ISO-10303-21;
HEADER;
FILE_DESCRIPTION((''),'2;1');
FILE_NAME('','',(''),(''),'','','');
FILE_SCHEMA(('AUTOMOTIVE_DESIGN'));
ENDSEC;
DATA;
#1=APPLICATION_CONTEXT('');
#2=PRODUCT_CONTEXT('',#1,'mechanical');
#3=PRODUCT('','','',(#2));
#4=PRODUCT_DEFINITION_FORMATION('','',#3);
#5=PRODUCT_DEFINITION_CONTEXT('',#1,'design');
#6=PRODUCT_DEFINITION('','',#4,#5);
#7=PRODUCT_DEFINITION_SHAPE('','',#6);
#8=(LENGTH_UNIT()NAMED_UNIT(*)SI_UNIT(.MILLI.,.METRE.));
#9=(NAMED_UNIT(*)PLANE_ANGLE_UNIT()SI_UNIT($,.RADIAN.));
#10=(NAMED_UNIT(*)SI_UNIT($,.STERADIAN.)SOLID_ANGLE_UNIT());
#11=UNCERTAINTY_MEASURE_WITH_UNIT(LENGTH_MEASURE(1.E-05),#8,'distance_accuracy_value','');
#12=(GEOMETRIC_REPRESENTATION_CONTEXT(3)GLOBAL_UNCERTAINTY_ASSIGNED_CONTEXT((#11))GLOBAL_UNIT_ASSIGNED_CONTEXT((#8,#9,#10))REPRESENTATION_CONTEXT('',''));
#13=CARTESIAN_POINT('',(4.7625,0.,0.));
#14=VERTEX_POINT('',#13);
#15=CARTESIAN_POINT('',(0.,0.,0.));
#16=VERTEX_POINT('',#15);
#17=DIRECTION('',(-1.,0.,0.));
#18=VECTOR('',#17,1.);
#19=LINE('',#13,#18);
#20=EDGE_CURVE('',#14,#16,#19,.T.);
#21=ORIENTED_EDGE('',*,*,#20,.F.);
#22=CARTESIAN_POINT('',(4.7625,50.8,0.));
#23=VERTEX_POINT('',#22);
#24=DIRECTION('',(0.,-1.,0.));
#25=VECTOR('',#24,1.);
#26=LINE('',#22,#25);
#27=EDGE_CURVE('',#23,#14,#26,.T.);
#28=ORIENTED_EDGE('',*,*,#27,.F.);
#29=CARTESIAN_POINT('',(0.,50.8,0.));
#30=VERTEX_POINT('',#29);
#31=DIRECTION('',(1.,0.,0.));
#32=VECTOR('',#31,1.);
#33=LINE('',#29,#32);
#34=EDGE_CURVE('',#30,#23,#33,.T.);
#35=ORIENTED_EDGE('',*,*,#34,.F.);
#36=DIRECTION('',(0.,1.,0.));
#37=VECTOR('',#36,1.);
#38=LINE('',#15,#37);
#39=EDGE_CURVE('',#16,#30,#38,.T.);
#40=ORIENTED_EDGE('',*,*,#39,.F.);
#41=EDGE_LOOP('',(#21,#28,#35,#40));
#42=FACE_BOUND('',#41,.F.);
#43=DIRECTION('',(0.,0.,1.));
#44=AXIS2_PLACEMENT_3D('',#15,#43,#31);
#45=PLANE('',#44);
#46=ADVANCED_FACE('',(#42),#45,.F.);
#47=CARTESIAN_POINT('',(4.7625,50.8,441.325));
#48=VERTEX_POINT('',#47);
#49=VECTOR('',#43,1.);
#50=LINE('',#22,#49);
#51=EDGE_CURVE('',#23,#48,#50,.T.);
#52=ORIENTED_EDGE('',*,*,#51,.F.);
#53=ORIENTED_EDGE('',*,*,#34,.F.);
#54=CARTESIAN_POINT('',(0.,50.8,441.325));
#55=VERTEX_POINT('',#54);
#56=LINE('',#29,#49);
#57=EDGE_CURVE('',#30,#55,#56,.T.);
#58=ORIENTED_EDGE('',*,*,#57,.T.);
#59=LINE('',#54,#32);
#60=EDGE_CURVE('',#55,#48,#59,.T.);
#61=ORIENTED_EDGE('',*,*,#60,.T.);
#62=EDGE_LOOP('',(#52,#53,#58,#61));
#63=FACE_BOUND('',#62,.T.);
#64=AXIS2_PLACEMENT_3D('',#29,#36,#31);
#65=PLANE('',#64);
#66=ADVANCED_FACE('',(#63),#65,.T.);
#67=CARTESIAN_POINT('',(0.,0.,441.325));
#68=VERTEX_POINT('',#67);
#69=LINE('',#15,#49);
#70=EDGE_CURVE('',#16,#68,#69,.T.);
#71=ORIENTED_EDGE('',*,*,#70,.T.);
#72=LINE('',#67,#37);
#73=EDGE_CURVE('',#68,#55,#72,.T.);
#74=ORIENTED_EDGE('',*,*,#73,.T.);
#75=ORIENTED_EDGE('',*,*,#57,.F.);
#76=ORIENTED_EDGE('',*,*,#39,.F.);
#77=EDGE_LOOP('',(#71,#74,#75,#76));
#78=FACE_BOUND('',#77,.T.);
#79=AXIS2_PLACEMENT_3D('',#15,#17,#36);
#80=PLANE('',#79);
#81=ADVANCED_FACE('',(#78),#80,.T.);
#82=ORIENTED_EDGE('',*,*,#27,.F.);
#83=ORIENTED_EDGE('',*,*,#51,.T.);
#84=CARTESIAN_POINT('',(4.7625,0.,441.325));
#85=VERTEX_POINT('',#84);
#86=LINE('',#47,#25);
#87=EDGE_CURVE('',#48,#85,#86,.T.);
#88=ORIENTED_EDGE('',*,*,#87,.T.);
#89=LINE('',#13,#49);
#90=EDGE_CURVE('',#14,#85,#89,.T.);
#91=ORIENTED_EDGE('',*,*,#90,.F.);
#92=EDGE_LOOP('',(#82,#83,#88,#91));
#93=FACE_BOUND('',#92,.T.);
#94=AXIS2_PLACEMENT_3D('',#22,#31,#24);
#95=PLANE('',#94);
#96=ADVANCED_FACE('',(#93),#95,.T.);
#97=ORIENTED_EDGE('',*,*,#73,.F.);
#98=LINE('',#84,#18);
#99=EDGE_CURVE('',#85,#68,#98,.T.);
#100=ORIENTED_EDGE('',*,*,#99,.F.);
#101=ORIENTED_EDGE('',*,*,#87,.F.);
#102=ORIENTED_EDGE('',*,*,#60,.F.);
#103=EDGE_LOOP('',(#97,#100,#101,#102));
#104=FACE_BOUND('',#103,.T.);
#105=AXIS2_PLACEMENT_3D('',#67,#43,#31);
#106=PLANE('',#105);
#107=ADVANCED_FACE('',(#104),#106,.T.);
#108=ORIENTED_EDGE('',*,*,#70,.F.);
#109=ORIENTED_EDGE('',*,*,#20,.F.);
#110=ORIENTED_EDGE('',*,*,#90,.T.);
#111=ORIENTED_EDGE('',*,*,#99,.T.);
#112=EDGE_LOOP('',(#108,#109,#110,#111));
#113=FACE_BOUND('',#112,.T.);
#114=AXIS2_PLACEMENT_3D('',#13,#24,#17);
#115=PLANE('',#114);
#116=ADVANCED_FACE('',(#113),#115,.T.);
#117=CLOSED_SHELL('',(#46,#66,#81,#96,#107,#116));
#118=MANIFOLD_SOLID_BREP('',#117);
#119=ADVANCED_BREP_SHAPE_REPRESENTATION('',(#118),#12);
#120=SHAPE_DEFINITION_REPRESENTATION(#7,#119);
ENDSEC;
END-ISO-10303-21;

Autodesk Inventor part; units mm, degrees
ref_plane "YZ Plane" through (0, 0, 0) normal (1, 0, 0) x (0, 1, 0)
ref_plane "XZ Plane" through (0, 0, 0) normal (0, 1, 0) x (-1, 0, 0)
ref_plane "XY Plane" through (0, 0, 0) normal (0, 0, 1) x (1, 0, 0)
sketch "Sketch1" plane through (0, 0, 0) normal (0, 0, 1) x (1, 0, 0)
  line L0 (0, 50.8) -> (4.7625, 50.8)
  line L1 (4.7625, 50.8) -> (4.7625, 0)
  line L2 (4.7625, 0) -> (0, 0)
  line L3 (0, 0) -> (0, 50.8)
  dimension "d0" = 4.7625
  dimension "d1" = 50.8
extrude "Extrusion1" add sketch "Sketch1" along normal blind 441.325
properties part number "BOXC_F17P5"
